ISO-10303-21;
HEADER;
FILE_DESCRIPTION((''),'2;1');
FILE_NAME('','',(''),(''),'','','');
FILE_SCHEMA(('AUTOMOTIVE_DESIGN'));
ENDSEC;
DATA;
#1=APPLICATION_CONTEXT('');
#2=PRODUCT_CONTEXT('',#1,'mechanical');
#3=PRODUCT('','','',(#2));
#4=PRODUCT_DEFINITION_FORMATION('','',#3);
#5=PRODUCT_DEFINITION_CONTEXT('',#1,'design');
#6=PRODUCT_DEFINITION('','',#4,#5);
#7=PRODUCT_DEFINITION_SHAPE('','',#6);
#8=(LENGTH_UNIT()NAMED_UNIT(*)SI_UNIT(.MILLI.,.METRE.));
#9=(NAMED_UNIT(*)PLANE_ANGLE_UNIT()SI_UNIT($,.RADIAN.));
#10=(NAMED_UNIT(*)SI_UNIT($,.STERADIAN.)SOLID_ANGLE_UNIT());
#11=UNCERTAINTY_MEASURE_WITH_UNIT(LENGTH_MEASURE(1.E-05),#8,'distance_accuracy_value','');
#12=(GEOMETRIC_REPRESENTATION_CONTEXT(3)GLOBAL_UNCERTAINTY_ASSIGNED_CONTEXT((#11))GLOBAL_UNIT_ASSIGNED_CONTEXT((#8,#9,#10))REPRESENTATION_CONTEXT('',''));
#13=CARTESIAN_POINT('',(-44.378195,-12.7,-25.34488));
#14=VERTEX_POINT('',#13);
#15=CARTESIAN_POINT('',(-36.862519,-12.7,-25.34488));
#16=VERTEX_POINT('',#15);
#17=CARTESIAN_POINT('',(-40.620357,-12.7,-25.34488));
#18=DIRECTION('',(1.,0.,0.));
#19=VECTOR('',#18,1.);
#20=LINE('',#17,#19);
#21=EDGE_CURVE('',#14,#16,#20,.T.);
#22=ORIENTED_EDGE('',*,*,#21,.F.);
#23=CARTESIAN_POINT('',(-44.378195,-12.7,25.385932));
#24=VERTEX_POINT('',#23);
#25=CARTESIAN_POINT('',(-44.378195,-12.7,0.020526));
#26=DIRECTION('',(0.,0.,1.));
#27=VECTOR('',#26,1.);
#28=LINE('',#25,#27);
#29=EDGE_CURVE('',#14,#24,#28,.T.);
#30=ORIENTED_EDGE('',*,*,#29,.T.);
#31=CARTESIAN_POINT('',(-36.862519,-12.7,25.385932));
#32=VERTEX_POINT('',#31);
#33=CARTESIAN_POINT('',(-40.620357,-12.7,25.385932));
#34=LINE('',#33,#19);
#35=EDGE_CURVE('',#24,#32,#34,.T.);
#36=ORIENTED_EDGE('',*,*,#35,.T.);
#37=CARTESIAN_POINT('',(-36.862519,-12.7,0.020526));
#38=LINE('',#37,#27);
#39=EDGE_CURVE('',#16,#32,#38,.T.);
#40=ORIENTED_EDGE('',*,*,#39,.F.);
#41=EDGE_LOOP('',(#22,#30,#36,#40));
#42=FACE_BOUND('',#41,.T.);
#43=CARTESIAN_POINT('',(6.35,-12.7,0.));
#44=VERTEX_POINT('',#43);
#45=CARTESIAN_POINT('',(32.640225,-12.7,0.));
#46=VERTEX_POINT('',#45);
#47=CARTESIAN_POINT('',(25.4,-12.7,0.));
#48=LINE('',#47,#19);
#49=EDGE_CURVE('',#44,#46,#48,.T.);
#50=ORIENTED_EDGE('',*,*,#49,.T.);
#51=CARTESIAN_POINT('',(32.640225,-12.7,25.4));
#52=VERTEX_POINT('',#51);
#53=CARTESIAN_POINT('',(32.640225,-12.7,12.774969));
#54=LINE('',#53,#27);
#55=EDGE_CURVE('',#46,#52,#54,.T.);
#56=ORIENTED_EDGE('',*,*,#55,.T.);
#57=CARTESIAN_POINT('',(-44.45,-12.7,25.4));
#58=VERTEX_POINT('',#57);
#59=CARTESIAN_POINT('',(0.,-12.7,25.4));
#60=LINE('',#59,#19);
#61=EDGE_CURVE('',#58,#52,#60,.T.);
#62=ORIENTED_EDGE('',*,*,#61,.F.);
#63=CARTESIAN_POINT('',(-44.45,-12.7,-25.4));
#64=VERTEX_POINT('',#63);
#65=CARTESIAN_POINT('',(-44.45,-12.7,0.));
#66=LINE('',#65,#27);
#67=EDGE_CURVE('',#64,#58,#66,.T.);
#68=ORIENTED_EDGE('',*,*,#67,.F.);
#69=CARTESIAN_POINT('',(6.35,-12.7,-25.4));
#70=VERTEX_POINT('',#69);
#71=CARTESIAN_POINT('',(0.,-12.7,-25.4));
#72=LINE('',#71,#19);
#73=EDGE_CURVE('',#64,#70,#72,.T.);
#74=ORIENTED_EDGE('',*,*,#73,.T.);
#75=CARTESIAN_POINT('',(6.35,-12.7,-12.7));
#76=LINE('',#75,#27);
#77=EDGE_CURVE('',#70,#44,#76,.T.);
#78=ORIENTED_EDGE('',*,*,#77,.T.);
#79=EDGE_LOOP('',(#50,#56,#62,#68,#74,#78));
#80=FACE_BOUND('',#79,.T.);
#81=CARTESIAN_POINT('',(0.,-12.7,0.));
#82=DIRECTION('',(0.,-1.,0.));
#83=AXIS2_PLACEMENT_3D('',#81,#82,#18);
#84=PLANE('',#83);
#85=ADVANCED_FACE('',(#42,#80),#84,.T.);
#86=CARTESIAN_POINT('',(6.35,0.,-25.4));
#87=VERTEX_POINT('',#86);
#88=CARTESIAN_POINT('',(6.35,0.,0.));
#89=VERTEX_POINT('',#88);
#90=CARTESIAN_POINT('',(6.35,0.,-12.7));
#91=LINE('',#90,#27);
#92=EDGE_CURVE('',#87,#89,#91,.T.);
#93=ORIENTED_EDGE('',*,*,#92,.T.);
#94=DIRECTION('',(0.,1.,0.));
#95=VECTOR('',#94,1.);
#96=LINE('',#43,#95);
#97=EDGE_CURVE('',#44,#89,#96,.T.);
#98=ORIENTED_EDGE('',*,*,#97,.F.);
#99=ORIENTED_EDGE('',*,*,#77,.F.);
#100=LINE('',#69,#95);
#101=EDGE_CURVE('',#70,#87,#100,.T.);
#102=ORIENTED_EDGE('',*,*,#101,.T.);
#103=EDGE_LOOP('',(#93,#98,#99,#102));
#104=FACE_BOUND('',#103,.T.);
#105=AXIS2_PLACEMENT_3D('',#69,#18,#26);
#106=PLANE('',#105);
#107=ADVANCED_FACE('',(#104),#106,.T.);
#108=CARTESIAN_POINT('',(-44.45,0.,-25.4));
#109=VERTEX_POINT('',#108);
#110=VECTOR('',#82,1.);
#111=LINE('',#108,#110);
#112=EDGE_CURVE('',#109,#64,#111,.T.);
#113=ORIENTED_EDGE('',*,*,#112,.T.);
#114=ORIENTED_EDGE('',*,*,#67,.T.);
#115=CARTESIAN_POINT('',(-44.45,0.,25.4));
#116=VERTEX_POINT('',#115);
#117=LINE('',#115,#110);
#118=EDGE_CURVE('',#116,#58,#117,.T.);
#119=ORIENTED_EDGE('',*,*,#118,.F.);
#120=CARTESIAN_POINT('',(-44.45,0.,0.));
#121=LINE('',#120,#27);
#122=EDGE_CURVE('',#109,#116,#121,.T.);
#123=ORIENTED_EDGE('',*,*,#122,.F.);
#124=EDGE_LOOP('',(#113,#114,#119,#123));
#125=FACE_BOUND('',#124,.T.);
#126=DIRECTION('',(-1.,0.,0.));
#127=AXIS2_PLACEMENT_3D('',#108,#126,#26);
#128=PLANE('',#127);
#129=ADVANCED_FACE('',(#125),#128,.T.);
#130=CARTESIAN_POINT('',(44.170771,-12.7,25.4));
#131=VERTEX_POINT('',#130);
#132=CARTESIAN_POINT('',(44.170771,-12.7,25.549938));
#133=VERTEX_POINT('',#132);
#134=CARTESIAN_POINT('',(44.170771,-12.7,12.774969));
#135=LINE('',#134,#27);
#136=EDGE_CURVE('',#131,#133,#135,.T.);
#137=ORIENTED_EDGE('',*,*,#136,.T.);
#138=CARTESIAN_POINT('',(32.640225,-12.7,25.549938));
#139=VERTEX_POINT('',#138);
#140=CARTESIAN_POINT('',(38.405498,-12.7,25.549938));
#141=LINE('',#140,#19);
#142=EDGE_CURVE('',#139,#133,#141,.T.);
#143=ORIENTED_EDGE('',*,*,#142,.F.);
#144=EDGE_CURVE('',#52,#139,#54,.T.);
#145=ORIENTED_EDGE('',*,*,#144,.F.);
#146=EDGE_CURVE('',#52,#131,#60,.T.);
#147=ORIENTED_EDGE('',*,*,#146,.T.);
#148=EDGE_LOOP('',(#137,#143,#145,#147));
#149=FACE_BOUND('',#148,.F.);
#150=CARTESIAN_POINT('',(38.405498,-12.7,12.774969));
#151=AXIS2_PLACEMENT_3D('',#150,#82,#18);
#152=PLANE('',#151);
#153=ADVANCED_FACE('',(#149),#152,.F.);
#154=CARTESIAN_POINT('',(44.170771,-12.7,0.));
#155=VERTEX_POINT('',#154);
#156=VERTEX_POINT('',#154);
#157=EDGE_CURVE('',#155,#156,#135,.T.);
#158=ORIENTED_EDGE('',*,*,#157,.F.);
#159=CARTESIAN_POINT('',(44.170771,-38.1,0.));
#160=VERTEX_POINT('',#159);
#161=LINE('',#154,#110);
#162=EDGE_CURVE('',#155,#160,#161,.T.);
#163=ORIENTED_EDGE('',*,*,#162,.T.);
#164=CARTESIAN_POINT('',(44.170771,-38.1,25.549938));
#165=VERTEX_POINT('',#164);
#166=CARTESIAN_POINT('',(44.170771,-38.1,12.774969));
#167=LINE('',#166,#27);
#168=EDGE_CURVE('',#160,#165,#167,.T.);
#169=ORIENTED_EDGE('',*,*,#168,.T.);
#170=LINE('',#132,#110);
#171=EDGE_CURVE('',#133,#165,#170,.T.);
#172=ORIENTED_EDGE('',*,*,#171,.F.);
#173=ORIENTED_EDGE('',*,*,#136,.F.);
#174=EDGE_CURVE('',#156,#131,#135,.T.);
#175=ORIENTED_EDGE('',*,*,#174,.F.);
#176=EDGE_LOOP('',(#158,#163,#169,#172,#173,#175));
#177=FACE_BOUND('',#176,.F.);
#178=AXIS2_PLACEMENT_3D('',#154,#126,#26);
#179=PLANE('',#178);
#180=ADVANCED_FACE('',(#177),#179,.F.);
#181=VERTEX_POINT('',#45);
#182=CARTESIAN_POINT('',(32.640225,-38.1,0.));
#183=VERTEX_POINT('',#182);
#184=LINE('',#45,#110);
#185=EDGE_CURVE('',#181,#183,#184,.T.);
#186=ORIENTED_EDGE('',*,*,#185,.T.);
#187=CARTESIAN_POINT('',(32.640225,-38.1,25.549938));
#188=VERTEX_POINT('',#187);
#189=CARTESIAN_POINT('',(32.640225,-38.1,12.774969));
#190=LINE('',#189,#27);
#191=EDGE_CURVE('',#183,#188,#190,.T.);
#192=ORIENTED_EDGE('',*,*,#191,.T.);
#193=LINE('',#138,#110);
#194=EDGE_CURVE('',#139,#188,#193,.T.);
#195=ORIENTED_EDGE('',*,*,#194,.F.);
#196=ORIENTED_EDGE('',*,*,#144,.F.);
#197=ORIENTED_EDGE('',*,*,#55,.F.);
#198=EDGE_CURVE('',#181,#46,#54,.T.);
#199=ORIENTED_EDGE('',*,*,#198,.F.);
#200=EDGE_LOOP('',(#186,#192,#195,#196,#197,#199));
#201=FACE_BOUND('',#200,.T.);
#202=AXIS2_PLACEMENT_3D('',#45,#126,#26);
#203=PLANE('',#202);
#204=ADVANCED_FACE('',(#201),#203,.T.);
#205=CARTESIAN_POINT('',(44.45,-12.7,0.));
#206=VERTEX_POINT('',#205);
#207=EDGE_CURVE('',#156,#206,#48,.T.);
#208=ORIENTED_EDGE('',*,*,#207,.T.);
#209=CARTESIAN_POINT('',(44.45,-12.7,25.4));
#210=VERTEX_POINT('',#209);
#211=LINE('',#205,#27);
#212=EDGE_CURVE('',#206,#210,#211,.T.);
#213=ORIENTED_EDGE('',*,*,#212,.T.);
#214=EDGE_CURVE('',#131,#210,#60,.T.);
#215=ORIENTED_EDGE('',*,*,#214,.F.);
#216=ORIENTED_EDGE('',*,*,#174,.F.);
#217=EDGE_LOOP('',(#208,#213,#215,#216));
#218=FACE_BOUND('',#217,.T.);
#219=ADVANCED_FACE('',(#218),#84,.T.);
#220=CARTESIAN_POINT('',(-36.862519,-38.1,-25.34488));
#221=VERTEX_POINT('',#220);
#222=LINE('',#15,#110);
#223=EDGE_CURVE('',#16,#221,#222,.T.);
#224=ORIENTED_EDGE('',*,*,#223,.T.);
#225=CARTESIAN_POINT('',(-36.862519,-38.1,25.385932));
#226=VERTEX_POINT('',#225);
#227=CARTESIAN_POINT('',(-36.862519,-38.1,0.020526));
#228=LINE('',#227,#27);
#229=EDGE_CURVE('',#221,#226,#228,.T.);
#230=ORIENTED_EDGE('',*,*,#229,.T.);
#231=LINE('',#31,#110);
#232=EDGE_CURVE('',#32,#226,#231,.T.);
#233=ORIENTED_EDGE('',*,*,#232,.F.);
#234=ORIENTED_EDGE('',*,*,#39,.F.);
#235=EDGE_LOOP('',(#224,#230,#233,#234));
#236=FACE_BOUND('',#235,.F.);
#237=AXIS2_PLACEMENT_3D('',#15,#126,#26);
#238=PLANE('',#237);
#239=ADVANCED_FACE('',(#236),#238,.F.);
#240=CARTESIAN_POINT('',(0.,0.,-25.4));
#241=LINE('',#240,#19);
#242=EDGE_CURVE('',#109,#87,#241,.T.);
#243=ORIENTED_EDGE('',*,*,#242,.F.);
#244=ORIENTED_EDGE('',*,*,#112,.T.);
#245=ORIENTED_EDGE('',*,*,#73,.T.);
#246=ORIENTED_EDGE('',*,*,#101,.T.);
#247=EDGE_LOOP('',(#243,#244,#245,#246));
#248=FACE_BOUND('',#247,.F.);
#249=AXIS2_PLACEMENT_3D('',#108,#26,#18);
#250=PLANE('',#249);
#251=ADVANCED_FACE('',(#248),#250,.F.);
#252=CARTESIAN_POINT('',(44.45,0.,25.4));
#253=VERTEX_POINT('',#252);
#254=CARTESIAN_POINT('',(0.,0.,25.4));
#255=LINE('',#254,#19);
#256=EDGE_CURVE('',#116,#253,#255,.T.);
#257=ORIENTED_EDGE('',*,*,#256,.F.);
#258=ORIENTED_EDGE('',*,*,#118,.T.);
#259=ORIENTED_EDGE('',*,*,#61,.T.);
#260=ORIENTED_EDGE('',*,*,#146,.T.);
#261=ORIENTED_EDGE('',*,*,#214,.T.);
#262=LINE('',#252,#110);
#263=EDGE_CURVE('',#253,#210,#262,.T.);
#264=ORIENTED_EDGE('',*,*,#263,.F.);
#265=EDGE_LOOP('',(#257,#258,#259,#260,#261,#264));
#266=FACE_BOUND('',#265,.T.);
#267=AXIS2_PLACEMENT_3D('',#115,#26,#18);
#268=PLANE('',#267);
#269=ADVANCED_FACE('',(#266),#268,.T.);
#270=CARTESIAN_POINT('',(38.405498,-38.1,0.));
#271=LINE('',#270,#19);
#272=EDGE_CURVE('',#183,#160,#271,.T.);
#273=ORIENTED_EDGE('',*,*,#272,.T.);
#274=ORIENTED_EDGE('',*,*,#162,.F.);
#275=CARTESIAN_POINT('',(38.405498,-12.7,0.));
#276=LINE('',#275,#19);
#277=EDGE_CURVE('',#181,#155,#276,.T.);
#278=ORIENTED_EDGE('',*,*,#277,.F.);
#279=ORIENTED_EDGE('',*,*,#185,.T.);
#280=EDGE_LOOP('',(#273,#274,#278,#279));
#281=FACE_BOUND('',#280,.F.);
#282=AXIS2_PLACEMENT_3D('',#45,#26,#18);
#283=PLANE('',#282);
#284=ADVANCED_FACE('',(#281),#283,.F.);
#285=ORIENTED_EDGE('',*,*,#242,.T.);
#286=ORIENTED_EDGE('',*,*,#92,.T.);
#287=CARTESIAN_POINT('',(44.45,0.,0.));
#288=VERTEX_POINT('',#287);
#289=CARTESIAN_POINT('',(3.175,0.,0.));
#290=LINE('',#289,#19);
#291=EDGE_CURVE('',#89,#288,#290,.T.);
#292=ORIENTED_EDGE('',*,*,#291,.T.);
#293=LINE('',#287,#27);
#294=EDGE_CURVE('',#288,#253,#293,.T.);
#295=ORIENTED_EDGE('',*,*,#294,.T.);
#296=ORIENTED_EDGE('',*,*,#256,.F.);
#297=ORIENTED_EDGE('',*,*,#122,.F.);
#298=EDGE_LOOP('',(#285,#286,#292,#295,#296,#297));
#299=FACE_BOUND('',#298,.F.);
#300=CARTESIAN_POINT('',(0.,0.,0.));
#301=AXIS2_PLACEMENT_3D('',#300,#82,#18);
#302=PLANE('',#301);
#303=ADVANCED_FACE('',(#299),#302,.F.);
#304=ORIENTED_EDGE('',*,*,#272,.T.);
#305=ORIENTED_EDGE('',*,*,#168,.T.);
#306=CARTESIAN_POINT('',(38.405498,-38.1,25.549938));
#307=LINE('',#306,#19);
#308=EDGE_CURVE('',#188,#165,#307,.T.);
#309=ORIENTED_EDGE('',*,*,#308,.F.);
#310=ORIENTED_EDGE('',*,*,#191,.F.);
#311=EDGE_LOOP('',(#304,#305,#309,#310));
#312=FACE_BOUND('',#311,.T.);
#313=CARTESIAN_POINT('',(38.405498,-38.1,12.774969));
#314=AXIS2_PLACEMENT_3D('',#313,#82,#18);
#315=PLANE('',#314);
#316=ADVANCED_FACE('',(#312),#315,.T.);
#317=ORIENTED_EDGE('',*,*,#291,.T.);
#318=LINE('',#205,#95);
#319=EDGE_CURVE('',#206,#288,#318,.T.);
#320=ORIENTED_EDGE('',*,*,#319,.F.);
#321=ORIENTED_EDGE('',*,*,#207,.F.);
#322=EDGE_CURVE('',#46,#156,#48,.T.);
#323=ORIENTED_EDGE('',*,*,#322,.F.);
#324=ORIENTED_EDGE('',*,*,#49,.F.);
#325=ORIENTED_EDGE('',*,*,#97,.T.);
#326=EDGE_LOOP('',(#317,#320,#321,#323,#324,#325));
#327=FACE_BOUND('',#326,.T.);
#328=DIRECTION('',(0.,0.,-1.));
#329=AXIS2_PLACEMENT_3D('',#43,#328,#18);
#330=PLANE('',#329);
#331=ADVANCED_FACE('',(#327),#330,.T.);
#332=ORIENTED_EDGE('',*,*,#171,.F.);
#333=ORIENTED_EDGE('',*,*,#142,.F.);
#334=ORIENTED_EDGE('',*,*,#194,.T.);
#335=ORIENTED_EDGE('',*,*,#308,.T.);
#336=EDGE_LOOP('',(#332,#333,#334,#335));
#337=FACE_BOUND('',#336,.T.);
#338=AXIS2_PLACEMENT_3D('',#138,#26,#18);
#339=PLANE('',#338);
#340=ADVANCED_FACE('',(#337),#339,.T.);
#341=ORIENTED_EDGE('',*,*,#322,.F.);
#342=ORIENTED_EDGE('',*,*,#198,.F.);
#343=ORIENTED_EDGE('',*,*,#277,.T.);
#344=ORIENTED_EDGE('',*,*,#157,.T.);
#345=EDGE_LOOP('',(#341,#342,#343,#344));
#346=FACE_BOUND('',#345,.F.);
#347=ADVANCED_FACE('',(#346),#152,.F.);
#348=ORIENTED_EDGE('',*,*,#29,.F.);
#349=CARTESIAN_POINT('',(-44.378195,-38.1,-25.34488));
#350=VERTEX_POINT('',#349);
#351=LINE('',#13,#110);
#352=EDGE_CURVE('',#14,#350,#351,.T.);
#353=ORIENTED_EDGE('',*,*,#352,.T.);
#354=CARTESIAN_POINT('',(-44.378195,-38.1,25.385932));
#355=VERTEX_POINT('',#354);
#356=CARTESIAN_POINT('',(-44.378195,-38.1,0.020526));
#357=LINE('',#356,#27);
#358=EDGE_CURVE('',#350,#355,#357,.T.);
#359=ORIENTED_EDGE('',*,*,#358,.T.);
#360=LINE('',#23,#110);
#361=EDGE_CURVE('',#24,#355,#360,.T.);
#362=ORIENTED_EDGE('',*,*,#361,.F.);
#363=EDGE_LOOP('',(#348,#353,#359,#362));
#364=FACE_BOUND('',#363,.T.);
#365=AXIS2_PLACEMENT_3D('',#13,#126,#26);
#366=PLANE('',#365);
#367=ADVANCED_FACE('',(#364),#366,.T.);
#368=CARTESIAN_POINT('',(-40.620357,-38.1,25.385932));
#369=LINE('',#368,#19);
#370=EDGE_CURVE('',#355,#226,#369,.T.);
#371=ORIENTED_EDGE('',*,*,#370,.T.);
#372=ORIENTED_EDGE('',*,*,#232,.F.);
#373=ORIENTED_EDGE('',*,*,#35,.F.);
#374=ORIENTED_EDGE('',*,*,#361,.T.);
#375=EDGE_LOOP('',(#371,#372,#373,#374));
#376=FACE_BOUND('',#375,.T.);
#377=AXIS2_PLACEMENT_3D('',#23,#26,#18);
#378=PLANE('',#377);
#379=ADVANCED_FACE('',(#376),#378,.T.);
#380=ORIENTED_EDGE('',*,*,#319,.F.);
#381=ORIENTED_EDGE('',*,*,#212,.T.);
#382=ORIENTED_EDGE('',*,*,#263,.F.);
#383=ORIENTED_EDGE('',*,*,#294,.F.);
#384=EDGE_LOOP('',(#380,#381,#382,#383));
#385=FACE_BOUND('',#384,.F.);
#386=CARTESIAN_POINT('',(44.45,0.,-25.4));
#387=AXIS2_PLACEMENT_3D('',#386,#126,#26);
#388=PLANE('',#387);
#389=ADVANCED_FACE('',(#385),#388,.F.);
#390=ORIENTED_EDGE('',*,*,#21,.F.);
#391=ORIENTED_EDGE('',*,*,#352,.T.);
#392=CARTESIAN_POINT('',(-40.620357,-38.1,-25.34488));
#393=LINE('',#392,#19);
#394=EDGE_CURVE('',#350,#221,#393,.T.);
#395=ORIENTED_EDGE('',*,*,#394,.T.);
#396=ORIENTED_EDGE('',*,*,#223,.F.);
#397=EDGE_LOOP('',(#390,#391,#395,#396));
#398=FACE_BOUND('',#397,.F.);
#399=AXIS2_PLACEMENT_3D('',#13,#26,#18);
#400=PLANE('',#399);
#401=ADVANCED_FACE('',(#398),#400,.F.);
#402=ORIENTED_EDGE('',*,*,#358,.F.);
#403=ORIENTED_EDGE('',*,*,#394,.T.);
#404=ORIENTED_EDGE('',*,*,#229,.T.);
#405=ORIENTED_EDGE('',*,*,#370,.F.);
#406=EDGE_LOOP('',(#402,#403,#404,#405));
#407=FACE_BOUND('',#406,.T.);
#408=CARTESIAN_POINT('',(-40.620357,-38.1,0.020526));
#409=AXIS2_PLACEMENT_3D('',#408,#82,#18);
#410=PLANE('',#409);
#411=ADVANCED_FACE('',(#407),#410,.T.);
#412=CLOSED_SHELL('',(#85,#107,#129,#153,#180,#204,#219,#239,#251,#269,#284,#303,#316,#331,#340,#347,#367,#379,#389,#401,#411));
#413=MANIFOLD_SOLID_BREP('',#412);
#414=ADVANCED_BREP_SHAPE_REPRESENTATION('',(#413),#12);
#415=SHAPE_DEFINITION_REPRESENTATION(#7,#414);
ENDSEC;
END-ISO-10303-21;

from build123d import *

# Parameters (mm, degrees)
F0_W     = 88.9
F0_H     = 50.8
F1_DEPTH = 12.7
F2_DEPTH = 12.7
F3_W     = 38.1
F3_H     = 25.4
F4_DEPTH = 12.701
F6_W     = 7.515676
F6_H     = 50.730813
F7_DEPTH = 25.4
F8_W     = 11.530545
F8_H     = 25.549939
F9_DEPTH = 25.4


with BuildPart() as f1:
    # F0 (on Front) → F1 (new body)
    with BuildSketch(Plane.XZ):
        Rectangle(F0_W, F0_H)
    extrude(amount=F1_DEPTH)

    # F0 (on Front) → F2 (join)
    with BuildSketch(Plane.XZ):
        Rectangle(F0_W, F0_H)
    extrude(amount=F2_DEPTH)

    # F3 (on face) → F4 (cut, through all)
    with BuildSketch(Plane.XZ.offset(12.7)):
        with Locations((25.4, -12.7)):
            Rectangle(F3_W, F3_H)
    extrude(amount=-F4_DEPTH, mode=Mode.SUBTRACT)

    # F6 (on face) → F7 (join)
    with BuildSketch(Plane.XZ.offset(12.7)):
        with Locations((-40.620357, 0.020526)):
            Rectangle(F6_W, F6_H)
    extrude(amount=F7_DEPTH)

    # F8 (on face) → F9 (join)
    with BuildSketch(Plane.XZ.offset(12.7)):
        with Locations((38.405498, 12.774969)):
            Rectangle(F8_W, F8_H)
    extrude(amount=F9_DEPTH)


solid = f1.part
